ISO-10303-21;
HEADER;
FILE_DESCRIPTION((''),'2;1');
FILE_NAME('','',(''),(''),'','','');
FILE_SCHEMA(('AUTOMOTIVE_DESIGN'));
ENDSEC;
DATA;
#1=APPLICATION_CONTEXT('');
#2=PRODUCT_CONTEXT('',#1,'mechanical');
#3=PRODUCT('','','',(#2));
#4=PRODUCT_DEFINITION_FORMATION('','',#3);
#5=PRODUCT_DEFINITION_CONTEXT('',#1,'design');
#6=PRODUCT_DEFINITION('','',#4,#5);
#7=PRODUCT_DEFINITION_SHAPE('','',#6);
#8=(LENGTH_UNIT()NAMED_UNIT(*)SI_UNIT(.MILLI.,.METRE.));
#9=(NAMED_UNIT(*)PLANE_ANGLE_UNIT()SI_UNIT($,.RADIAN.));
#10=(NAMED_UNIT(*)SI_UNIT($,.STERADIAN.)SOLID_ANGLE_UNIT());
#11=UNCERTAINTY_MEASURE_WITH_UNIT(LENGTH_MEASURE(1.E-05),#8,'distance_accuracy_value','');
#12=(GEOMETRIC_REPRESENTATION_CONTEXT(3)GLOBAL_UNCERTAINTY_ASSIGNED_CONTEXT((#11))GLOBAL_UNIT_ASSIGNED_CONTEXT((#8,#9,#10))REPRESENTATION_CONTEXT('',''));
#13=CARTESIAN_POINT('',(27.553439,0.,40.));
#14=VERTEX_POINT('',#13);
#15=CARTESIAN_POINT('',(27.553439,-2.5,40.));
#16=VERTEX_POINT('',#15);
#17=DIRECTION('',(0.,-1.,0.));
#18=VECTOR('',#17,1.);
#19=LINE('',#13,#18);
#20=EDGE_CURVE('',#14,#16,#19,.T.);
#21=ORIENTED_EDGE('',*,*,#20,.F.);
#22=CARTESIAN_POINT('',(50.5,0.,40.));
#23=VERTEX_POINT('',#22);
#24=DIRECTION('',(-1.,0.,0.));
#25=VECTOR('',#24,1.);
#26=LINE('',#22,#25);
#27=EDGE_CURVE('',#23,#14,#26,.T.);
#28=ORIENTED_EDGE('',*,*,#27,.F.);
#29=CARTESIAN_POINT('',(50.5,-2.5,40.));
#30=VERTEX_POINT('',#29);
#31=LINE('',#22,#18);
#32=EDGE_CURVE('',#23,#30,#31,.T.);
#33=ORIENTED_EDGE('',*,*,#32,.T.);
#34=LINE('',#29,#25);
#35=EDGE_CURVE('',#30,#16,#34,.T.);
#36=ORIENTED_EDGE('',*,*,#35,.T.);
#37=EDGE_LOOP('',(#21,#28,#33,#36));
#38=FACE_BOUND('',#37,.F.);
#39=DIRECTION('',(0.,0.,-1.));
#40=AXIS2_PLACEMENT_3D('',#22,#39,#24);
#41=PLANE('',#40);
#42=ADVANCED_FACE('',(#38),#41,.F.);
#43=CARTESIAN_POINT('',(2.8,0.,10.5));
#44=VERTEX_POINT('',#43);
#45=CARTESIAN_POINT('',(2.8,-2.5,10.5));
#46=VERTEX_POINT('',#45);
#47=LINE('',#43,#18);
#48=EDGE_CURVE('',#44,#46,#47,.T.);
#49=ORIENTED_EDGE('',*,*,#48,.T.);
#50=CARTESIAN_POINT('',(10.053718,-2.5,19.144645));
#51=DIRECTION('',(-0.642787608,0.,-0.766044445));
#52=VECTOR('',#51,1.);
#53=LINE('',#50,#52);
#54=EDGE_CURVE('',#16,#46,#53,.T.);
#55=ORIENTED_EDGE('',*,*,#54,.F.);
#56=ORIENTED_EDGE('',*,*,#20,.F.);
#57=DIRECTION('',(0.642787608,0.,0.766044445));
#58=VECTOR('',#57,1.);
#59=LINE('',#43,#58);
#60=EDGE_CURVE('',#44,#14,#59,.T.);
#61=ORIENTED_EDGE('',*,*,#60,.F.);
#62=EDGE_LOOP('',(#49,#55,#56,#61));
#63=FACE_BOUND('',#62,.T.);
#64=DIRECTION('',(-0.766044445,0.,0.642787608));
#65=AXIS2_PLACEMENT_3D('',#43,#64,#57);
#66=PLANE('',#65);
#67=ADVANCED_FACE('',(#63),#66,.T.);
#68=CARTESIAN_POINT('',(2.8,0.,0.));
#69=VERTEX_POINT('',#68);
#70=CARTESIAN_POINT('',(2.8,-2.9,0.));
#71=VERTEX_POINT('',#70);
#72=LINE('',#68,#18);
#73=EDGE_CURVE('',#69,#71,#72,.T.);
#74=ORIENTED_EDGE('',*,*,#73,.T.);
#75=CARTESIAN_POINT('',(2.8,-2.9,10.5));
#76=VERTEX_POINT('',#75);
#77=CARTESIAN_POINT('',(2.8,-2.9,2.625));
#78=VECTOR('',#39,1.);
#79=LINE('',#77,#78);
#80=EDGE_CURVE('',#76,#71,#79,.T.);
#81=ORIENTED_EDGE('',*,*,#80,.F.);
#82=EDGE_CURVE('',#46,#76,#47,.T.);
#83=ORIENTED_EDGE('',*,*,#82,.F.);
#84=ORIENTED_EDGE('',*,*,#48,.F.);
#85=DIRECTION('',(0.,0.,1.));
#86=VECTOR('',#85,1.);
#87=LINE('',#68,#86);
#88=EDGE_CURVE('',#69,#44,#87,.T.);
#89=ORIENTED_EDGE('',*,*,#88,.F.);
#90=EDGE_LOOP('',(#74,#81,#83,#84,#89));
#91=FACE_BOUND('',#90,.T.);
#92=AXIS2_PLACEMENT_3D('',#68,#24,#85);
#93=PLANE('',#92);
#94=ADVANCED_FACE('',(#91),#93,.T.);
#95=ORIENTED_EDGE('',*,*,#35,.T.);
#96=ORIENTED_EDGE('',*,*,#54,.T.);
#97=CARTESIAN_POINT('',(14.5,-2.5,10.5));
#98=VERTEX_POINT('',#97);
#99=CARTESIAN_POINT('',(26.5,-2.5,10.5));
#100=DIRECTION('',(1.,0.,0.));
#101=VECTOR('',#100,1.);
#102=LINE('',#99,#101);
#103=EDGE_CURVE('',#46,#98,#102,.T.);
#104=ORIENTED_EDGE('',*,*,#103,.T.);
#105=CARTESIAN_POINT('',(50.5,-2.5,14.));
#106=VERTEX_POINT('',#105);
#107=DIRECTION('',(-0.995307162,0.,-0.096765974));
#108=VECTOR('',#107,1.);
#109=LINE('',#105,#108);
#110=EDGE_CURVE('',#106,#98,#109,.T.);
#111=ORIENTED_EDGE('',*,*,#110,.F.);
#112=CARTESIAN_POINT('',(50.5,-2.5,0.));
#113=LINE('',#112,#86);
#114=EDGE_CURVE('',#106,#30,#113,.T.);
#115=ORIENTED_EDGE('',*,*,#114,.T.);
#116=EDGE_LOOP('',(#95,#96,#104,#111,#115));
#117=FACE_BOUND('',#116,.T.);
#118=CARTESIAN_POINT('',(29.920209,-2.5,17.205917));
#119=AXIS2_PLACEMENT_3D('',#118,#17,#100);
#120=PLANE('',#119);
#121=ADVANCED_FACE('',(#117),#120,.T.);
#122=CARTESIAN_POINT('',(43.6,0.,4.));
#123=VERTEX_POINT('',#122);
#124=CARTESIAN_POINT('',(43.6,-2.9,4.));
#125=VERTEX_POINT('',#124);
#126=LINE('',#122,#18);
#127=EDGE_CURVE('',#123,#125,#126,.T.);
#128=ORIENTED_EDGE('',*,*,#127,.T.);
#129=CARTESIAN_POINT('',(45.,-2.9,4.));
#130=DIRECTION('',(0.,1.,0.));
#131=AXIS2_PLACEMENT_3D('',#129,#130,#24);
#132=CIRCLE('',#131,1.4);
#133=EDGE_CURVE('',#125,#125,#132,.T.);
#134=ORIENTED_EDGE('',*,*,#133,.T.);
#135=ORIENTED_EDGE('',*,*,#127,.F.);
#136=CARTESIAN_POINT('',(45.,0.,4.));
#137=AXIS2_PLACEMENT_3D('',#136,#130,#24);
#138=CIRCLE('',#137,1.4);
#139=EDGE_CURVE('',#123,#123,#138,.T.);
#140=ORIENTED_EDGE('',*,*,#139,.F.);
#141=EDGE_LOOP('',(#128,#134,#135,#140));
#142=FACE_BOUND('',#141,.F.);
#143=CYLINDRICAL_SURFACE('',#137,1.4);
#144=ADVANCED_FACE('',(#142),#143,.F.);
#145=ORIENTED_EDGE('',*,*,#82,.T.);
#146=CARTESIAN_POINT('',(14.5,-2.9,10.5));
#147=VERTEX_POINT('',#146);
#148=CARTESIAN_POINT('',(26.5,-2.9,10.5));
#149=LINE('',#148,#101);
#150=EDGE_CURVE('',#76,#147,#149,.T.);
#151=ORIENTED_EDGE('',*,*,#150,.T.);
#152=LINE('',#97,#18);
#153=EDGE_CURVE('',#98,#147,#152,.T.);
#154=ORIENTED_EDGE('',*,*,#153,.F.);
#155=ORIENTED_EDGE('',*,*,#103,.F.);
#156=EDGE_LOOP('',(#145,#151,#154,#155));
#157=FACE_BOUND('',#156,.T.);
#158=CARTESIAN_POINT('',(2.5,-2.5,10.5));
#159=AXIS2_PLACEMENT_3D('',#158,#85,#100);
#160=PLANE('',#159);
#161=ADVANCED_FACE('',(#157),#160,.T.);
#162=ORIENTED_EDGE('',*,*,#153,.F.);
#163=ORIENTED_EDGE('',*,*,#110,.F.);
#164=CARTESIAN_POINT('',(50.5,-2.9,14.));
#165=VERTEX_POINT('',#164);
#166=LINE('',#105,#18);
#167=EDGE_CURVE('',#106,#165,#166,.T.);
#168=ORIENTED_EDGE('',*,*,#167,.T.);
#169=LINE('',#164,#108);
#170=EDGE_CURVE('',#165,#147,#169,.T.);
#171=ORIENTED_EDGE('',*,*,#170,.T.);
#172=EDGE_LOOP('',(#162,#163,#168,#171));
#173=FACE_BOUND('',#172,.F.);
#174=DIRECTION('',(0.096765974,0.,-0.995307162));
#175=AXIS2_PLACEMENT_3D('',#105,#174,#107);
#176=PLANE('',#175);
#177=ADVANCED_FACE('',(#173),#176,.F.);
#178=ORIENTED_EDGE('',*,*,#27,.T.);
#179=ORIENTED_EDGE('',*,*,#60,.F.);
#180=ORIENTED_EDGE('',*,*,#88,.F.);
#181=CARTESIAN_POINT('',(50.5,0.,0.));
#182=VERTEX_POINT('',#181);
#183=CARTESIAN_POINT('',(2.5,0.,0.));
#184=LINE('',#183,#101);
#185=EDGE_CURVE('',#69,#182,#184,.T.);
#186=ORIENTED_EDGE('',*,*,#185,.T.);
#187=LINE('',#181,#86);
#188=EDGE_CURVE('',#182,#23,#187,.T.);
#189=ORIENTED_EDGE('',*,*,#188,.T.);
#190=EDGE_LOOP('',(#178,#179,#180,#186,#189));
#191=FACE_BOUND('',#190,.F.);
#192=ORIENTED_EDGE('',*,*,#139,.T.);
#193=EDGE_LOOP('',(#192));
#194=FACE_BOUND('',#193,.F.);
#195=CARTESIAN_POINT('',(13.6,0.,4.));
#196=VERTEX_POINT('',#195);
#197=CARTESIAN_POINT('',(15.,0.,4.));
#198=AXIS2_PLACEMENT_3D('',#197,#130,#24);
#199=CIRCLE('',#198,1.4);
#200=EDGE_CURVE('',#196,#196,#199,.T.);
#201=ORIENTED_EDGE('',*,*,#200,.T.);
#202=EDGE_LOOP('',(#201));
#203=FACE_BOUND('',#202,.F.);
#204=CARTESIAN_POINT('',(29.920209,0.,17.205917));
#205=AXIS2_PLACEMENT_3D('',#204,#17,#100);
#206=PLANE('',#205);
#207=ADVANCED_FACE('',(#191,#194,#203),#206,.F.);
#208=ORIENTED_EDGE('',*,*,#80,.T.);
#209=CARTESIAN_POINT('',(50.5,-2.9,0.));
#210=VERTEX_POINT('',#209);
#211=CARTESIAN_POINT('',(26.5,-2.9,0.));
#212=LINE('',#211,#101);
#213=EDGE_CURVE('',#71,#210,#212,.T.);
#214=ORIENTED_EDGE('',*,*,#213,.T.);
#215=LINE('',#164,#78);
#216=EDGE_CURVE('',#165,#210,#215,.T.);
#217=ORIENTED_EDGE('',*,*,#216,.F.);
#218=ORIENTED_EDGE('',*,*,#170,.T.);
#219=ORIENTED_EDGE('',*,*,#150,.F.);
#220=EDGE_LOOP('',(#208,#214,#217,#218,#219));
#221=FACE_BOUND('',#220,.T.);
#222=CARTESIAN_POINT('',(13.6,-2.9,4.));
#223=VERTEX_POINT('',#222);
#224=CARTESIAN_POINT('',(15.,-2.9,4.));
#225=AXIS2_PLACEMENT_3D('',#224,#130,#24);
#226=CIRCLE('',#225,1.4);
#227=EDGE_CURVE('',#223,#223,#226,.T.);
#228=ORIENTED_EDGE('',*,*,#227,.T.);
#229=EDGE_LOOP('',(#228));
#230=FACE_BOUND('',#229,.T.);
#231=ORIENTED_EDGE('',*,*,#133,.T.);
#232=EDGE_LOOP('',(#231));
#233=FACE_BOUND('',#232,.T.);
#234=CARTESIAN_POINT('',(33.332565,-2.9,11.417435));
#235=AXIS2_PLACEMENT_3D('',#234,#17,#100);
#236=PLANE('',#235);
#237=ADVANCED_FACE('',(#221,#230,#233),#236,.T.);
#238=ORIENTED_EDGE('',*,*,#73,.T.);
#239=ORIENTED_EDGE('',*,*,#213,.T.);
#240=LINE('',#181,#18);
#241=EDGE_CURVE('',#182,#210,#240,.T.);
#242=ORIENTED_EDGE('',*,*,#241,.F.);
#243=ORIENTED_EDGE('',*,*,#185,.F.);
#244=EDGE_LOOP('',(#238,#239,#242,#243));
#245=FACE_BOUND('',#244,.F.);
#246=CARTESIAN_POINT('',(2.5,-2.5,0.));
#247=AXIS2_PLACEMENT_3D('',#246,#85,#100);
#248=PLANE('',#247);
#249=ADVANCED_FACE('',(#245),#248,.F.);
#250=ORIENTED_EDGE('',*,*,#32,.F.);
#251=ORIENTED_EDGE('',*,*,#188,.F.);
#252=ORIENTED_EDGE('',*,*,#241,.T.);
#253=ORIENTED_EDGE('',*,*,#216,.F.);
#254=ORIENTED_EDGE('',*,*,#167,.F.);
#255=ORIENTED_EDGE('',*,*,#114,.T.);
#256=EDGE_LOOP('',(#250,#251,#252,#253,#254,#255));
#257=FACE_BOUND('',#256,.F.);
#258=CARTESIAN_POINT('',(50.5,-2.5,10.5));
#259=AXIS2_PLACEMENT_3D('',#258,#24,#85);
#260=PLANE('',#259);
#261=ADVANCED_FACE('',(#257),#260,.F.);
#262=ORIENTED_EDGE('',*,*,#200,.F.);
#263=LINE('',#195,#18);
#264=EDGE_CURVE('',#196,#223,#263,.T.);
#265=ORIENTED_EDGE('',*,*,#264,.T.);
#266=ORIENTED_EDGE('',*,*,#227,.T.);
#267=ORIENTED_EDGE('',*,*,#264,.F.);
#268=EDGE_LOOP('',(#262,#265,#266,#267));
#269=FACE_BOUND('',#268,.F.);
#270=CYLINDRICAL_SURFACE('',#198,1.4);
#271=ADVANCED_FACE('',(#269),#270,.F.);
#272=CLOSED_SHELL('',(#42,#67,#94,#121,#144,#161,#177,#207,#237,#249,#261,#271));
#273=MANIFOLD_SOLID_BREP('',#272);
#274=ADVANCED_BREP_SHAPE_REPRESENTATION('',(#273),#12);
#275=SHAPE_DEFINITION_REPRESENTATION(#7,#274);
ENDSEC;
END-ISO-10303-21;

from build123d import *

# Parameters (mm, degrees)
PAD002_DEPTH    = 2.5
SKETCH009_W     = 48
SKETCH009_H     = 10.5
PAD003_DEPTH    = 0.4
SKETCH008_R     = 1.4
POCKET005_DEPTH = 5
POCKET012_DEPTH = 5
PAD008_DEPTH    = 0.4


with BuildPart() as part:
    # Sketch007 (on XZ_Plane001 of Origin002) → Pad002 (new body)
    with BuildSketch(Plane.XZ):
        Polygon((50.5, 0), (50.5, 40), (27.253439, 40), (2.5, 10.5), (2.5, 0), align=None)
    extrude(amount=PAD002_DEPTH)

    # Sketch009 (on Face7 of Pad002) → Pad003 (join)
    with BuildSketch(Plane.XZ.offset(2.5)):
        with Locations((26.5, 5.25)):
            Rectangle(SKETCH009_W, SKETCH009_H)
    extrude(amount=PAD003_DEPTH)

    # Sketch008 (on Face6 of Pad002) → Pocket005 (cut)
    with BuildSketch(Plane(origin=(0, 0, 0), x_dir=(-1, 0, 0), z_dir=(0, 1, 0))):
        with Locations((-45, 4)):
            Circle(SKETCH008_R)
        with Locations((-15, 4)):
            Circle(SKETCH008_R)
    extrude(amount=-POCKET005_DEPTH, mode=Mode.SUBTRACT)

    # Sketch021 (on XZ_Plane001 of Origin002) → Pocket012 (cut)
    with BuildSketch(Plane.XZ):
        Polygon((27.253439, 40), (2.5, 10.5), (2.5, 0), (2.8, 0), (2.8, 10.5), (27.553439, 40), align=None)
    extrude(amount=POCKET012_DEPTH, mode=Mode.SUBTRACT)

    # Sketch022 (on Face4 of Pocket012) → Pad008 (join)
    with BuildSketch(Plane.XZ.offset(2.5)):
        Polygon((14.5, 10.5), (50.5, 10.5), (50.5, 14), align=None)
    extrude(amount=PAD008_DEPTH)


solid = part.part
